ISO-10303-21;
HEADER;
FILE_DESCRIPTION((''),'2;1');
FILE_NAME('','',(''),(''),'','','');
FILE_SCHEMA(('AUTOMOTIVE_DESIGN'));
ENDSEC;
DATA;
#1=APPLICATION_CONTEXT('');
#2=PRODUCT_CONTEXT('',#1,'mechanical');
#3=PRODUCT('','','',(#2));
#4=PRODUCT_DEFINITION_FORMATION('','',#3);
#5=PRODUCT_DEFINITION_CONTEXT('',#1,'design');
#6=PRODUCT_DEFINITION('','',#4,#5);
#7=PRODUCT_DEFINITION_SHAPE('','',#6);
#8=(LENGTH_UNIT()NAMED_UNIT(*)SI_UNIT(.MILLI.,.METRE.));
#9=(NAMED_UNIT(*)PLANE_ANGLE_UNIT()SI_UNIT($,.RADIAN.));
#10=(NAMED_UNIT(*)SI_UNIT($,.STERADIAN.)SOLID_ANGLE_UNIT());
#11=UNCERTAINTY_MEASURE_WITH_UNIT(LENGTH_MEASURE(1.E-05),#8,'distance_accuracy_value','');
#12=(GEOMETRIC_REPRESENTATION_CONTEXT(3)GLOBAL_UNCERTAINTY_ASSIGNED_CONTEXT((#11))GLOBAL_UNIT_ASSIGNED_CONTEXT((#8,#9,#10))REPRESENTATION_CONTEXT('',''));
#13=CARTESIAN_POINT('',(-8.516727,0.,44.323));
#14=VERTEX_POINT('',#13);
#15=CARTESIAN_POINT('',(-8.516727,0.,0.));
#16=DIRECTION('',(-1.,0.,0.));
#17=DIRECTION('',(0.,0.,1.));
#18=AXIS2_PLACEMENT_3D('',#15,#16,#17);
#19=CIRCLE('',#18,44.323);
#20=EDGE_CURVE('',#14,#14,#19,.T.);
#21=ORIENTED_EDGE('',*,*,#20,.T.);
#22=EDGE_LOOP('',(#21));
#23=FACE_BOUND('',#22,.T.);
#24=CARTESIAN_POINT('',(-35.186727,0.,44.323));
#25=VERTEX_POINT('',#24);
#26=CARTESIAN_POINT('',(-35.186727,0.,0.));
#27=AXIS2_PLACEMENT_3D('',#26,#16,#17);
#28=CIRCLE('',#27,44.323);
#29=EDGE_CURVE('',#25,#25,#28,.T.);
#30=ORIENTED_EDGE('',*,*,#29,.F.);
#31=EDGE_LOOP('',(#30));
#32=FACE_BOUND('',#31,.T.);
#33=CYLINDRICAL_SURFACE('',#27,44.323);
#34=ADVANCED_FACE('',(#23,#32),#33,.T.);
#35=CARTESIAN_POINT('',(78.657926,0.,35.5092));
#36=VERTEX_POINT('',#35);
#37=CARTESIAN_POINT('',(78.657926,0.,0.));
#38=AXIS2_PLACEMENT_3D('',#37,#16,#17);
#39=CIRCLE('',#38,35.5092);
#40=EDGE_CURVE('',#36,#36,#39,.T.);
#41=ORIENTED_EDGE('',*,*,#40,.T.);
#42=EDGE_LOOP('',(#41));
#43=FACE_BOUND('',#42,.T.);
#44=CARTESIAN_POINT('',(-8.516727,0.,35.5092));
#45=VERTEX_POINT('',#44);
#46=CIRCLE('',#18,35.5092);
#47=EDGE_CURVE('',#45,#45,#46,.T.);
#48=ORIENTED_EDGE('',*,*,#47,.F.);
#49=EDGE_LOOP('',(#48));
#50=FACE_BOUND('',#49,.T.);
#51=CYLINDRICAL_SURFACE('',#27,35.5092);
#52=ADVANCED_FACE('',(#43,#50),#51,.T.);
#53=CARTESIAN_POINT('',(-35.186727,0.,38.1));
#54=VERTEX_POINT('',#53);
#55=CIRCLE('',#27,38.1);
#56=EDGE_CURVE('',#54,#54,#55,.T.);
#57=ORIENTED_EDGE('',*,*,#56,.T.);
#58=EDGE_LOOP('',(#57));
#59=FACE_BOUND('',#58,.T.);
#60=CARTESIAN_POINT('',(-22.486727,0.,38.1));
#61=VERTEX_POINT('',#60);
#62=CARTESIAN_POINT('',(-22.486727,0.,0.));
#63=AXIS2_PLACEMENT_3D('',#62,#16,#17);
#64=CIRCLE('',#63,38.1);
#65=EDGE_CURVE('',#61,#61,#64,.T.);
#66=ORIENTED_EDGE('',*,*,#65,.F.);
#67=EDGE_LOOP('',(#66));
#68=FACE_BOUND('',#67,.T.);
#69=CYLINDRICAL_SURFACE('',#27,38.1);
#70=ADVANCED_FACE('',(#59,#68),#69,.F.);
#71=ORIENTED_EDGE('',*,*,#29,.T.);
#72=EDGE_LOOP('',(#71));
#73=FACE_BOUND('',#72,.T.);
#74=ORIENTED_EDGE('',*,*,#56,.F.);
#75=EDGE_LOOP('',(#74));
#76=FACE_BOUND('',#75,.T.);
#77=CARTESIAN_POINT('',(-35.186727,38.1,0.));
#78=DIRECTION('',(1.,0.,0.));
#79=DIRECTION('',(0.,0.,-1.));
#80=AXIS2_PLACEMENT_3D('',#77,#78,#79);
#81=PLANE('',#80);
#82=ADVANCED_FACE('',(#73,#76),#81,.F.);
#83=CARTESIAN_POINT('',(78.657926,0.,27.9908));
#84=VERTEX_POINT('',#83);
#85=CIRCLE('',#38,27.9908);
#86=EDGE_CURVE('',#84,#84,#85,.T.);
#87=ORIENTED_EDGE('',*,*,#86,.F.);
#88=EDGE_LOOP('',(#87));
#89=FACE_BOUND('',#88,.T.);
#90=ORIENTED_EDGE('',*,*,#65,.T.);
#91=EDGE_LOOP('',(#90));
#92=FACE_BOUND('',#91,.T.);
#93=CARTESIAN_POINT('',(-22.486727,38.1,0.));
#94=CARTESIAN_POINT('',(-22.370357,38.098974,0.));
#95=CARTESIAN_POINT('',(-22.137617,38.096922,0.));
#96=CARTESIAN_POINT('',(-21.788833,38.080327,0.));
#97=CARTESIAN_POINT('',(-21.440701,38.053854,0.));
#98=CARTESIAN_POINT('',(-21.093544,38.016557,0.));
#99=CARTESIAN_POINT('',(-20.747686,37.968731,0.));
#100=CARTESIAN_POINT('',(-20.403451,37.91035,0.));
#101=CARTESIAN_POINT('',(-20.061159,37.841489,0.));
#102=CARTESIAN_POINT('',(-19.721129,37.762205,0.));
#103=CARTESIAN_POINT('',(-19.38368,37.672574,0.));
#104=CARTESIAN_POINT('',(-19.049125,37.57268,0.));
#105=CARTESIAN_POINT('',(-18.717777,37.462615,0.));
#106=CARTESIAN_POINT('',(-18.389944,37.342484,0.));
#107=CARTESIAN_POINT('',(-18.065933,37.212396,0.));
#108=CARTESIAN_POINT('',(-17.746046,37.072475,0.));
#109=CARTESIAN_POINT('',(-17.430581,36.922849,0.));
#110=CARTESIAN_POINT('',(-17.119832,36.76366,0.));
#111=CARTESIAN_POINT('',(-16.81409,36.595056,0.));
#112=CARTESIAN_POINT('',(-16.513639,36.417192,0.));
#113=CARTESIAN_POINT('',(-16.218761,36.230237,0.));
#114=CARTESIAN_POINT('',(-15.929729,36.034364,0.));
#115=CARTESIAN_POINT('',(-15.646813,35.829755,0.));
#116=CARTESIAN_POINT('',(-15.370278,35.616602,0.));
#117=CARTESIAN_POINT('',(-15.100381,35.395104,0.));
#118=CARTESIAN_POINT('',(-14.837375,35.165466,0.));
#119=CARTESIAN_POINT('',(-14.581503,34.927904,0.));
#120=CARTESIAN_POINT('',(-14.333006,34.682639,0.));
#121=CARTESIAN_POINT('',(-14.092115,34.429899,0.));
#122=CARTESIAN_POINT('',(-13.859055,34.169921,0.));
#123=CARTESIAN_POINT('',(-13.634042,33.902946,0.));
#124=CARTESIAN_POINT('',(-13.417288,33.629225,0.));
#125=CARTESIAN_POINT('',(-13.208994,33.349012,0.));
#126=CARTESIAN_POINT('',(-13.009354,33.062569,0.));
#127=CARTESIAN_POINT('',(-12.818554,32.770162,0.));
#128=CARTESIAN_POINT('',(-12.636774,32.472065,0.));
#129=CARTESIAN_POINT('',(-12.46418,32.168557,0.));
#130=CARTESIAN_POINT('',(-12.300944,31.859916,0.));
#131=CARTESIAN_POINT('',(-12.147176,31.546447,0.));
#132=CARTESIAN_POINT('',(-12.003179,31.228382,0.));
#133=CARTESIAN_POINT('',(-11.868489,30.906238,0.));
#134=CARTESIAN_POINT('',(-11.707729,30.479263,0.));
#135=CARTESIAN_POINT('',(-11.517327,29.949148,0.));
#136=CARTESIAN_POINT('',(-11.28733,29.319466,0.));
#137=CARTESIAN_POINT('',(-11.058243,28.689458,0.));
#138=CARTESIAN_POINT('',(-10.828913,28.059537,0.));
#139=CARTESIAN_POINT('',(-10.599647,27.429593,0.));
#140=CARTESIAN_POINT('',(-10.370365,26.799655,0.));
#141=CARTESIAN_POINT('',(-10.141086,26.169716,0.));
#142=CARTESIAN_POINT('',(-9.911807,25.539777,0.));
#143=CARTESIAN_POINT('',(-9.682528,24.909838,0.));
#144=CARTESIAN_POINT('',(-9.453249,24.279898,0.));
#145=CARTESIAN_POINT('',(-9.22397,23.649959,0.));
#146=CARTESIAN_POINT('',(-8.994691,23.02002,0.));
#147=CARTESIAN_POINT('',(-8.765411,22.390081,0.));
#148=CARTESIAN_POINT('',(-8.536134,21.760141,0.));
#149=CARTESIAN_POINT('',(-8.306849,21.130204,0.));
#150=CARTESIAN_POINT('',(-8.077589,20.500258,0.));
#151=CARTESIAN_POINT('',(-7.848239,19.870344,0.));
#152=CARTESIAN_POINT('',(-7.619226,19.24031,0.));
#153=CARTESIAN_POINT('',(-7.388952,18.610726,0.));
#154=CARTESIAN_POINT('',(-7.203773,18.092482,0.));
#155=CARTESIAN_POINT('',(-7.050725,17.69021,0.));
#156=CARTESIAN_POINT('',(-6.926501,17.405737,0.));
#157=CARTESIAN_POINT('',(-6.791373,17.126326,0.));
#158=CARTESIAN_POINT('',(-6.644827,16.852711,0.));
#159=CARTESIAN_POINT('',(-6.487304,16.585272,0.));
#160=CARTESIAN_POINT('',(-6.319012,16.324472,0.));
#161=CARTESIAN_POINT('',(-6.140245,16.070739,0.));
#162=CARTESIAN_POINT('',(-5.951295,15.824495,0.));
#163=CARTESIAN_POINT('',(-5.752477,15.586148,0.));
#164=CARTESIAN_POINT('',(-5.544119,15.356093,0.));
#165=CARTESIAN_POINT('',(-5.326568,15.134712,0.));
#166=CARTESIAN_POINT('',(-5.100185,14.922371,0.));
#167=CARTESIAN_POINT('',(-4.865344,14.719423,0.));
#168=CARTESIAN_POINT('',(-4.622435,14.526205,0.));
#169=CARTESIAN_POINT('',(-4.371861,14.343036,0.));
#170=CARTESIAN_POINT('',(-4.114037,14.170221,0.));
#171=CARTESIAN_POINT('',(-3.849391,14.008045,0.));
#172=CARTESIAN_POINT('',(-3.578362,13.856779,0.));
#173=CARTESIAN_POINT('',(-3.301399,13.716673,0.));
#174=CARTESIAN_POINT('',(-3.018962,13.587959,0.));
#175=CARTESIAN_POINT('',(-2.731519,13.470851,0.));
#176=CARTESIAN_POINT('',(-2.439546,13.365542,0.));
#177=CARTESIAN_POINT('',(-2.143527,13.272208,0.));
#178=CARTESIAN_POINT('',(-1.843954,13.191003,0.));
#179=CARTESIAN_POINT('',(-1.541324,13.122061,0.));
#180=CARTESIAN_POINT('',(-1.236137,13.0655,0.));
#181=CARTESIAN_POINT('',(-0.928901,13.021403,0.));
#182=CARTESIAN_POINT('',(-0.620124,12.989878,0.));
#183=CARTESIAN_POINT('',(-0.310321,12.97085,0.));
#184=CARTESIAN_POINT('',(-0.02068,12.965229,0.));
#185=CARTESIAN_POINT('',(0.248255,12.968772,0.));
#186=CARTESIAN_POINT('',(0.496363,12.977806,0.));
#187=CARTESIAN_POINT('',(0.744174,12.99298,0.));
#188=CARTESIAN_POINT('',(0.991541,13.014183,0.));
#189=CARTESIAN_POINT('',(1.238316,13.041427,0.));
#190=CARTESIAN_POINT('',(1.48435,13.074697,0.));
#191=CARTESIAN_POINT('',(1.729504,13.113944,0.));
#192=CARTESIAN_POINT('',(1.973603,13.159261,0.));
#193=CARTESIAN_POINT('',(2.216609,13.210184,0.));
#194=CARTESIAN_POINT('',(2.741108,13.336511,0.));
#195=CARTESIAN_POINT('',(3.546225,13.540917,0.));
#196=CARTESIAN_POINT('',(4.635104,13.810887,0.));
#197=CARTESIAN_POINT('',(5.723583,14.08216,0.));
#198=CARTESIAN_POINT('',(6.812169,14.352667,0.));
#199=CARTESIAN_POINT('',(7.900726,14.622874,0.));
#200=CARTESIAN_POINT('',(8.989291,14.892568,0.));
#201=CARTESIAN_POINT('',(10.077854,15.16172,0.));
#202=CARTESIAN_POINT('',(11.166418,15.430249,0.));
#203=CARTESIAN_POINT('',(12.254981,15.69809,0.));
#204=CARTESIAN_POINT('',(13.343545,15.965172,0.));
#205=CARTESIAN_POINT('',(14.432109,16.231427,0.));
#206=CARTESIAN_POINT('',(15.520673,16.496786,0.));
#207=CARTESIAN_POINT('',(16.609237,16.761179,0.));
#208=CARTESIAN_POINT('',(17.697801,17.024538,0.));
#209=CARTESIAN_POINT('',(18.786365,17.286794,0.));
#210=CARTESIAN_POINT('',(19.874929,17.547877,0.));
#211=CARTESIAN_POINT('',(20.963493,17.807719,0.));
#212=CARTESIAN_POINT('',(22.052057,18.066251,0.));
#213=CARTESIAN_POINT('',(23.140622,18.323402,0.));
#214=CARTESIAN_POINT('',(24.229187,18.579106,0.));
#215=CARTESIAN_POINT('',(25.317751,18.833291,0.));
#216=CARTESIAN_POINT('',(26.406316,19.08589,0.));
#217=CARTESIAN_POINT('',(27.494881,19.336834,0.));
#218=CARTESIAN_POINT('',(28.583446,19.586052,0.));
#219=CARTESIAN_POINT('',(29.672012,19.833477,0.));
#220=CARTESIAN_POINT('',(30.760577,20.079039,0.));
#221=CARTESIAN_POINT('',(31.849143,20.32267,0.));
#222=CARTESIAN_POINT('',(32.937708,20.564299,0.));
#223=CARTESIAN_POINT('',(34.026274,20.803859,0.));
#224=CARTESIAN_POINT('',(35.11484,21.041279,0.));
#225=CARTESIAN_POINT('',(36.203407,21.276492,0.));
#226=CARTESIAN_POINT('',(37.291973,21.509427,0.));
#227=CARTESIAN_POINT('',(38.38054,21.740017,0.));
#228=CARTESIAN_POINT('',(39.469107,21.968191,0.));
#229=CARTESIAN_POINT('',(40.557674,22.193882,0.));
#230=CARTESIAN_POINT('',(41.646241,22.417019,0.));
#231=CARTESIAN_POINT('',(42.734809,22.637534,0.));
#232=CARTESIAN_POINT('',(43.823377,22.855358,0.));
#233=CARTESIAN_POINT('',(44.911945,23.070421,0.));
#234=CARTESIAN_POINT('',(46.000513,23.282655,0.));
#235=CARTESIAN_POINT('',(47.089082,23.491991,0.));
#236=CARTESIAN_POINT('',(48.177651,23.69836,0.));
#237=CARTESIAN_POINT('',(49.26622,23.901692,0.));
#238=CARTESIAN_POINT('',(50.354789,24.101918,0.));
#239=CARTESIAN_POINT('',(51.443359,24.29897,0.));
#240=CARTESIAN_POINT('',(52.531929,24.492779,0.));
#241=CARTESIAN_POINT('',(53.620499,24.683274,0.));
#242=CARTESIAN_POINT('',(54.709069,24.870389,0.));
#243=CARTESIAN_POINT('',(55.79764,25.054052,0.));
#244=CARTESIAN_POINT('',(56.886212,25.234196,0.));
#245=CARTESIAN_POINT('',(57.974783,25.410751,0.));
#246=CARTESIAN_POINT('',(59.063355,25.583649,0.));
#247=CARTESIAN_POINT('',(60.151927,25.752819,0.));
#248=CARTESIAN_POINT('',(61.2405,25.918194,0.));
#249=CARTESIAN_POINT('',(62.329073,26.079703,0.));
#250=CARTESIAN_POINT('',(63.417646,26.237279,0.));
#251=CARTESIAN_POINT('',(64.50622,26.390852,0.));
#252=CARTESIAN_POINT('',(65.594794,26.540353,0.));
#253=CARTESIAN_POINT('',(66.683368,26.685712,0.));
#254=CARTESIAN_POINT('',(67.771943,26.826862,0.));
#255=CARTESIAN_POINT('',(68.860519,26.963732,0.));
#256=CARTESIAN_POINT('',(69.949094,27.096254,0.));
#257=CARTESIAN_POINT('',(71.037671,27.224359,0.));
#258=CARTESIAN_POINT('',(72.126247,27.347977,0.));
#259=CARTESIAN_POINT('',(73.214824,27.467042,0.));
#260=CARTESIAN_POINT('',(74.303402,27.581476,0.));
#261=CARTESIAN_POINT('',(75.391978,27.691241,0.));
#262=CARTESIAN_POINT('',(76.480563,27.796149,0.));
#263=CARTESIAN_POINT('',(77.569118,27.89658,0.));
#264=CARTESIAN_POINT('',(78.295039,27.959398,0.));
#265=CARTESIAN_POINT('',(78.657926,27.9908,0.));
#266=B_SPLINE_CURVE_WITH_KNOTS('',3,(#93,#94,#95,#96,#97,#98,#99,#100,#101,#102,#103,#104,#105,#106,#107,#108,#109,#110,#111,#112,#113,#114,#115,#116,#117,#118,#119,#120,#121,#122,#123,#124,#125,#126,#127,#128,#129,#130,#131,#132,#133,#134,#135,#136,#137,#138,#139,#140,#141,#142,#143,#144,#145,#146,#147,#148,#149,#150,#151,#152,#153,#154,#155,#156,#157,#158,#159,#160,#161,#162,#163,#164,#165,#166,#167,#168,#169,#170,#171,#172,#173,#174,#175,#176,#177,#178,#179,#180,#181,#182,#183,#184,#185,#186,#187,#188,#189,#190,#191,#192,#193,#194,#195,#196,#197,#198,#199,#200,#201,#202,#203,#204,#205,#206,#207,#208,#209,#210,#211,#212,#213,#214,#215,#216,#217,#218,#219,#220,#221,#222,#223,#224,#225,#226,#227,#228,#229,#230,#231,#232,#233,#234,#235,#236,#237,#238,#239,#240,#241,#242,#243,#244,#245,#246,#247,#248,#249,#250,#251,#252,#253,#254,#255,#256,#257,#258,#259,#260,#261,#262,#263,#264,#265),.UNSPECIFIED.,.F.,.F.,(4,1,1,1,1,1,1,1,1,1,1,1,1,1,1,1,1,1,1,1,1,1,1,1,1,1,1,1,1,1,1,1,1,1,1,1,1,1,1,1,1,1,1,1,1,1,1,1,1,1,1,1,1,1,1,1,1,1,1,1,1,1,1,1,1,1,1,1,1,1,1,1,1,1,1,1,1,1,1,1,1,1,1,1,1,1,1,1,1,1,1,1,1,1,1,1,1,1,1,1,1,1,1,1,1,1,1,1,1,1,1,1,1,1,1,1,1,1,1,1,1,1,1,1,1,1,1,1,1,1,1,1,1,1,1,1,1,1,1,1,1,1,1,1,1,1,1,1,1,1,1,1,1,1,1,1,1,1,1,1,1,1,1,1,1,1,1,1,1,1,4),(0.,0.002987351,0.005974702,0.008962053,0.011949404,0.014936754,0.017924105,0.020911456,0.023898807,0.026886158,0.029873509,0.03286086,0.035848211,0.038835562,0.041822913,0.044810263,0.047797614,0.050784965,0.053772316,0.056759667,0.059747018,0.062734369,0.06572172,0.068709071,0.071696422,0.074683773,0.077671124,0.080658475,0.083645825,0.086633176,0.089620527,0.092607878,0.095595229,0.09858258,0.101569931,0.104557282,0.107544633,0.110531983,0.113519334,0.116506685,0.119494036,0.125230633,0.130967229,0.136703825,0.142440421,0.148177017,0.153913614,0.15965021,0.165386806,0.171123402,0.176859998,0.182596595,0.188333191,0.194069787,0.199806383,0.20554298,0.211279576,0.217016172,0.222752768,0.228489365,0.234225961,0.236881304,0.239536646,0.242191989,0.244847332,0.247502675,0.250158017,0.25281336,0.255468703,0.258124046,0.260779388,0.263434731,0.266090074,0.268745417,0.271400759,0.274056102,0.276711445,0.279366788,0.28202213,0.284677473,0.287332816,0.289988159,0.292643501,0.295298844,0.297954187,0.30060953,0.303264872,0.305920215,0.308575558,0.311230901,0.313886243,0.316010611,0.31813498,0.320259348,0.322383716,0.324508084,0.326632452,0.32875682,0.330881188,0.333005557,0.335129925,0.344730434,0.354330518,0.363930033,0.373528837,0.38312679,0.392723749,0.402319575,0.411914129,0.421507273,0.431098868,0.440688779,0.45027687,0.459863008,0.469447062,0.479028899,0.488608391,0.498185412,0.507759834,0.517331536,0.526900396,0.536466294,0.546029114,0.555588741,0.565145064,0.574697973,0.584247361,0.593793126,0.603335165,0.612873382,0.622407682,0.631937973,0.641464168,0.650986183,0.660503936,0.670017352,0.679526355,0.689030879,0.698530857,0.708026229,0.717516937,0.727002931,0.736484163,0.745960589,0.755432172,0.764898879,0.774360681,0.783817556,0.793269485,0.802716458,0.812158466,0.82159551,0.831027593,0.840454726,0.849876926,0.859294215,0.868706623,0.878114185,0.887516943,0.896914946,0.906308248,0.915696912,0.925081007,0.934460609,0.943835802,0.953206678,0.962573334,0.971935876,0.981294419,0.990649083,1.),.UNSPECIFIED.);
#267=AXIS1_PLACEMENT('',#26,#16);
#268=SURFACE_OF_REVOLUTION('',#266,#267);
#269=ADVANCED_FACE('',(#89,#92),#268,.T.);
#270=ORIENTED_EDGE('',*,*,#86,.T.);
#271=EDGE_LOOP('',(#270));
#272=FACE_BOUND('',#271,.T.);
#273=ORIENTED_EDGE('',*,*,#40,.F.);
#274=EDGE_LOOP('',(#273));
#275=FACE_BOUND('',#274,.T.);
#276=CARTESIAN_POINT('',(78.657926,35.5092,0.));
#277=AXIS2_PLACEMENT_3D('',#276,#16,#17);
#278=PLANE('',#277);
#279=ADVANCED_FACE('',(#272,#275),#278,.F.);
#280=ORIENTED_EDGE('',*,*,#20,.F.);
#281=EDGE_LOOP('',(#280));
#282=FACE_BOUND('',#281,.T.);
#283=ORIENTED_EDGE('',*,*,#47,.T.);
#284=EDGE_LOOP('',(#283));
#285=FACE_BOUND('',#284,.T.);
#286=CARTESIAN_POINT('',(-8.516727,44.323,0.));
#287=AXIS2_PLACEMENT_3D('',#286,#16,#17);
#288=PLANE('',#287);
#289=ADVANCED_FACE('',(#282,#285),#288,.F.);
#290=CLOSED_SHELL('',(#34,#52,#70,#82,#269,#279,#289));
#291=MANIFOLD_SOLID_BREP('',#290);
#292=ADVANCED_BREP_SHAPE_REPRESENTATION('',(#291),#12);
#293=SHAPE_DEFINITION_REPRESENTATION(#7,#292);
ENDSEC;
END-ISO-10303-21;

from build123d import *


with BuildPart() as part:
    # Sketch1 → Revolve1 (revolve)
    with BuildSketch(Plane.XY, mode=Mode.PRIVATE) as revolve1_sk:
        with BuildLine():
            Line((-22.48672668, 38.1), (-35.18672668, 38.1))
            Line((-35.18672668, 38.1), (-35.18672668, 44.323))
            Line((-35.18672668, 44.323), (-8.51672668, 44.323))
            Line((-8.51672668, 44.323), (-8.51672668, 35.5092))
            Line((-8.51672668, 35.5092), (78.657926453, 35.5092))
            Line((78.657926453, 35.5092), (78.657926453, 27.9908))
            add(Edge.make_bspline(
                [(-22.48672668, 38.1), (-22.370356861, 38.09897388), (-22.137617212, 38.096921641), (-21.78883339, 38.080327111), (-21.440700568, 38.053854343), (-21.093543503, 38.016557388), (-20.74768602, 37.968731147), (-20.403450755, 37.91035045), (-20.061158792, 37.841488555), (-19.721129451, 37.762204619), (-19.383679924, 37.672573912), (-19.049124958, 37.57267979), (-18.717776663, 37.462615419), (-18.389944097, 37.342483534), (-18.065933107, 37.212396112), (-17.746045893, 37.072474607), (-17.430580883, 36.922849446), (-17.11983234, 36.763660254), (-16.814090128, 36.595055503), (-16.513639459, 36.417192477), (-16.218760597, 36.230237084), (-15.929728606, 36.034363742), (-15.646813104, 35.829755152), (-15.370277996, 35.616602171), (-15.100381265, 35.395103606), (-14.837374632, 35.165466125), (-14.581503429, 34.927903948), (-14.333006388, 34.682638616), (-14.092115305, 34.429898936), (-13.859054833, 34.16992072), (-13.634042456, 33.902946399), (-13.417287983, 33.629225095), (-13.208993675, 33.349012066), (-13.009353819, 33.06256874), (-12.818554487, 32.770162339), (-12.63677442, 32.472065382), (-12.46418014, 32.168557049), (-12.300944211, 31.859916207), (-12.147175782, 31.546446579), (-12.003178938, 31.228381675), (-11.868488722, 30.906237874), (-11.707728514, 30.479262811), (-11.51732689, 29.949147874), (-11.287330166, 29.319466301), (-11.058243338, 28.689458089), (-10.828912694, 28.0595374), (-10.599647364, 27.429593267), (-10.370364598, 26.799655394), (-10.141086446, 26.169715856), (-9.911807079, 25.539776759), (-9.682528012, 24.909837557), (-9.453248915, 24.279898367), (-9.223969775, 23.649959192), (-8.994690752, 23.020019971), (-8.765411249, 22.390080926), (-8.536133555, 21.760141234), (-8.306849289, 21.130203891), (-8.077589317, 20.500257863), (-7.848238738, 19.870344215), (-7.619226341, 19.240309716), (-7.388951901, 18.610726192), (-7.203772618, 18.0924821), (-7.050725438, 17.690209546), (-6.926500885, 17.405737457), (-6.791372669, 17.126326499), (-6.644826713, 16.852710937), (-6.487303844, 16.585271882), (-6.319012214, 16.324472291), (-6.140245146, 16.070739401), (-5.951295216, 15.824495391), (-5.752476857, 15.586148163), (-5.544119378, 15.356093132), (-5.326568454, 15.134711683), (-5.100184794, 14.92237094), (-4.865343728, 14.719423101), (-4.622434808, 14.526204554), (-4.371860704, 14.343035849), (-4.114037025, 14.170220608), (-3.849391254, 14.008045488), (-3.57836228, 13.856779357), (-3.301399487, 13.71667311), (-3.018962187, 13.587958994), (-2.731518701, 13.470850518), (-2.4395457, 13.365541833), (-2.143527323, 13.272207607), (-1.84395447, 13.191002668), (-1.541323896, 13.122061095), (-1.236137392, 13.065499653), (-0.9289012, 13.02140299), (-0.620124168, 12.989878407), (-0.310320711, 12.970850368), (-0.020680283, 12.965229082), (0.248254878, 12.968772306), (0.496363247, 12.977806365), (0.744174099, 12.992980091), (0.991540862, 13.014182722), (1.238316013, 13.041426715), (1.484350236, 13.074696966), (1.729504434, 13.113944035), (1.973603072, 13.159261448), (2.216609324, 13.210183939), (2.741108155, 13.336511416), (3.546225146, 13.540917433), (4.635103679, 13.810886776), (5.723582618, 14.08216045), (6.812168643, 14.352667031), (7.900726018, 14.622873913), (8.989291105, 14.892568408), (10.077854183, 15.161719913), (11.166417874, 15.430249095), (12.254981464, 15.698089726), (13.343545159, 15.96517198), (14.432108907, 16.23142704), (15.520672729, 16.49678579), (16.609236611, 16.761179295), (17.697800593, 17.024538387), (18.786364665, 17.286794115), (19.874928833, 17.547877422), (20.963493102, 17.807719276), (22.052057473, 18.066250654), (23.140621957, 18.323402462), (24.229186548, 18.579105746), (25.317751275, 18.833291384), (26.406316136, 19.085890404), (27.494881125, 19.336833785), (28.583446277, 19.586052369), (29.672011553, 19.833477309), (30.760576999, 20.079039368), (31.849142586, 20.322669685), (32.93770836, 20.564299058), (34.026274304, 20.803858594), (35.114840433, 21.041279179), (36.203406751, 21.276491794), (37.291973258, 21.509427416), (38.38053997, 21.740016935), (39.469106873, 21.968191446), (40.557674, 22.193881789), (41.646241362, 22.417018943), (42.73480894, 22.637533965), (43.823376761, 22.855357718), (44.911944827, 23.070421178), (46.000513128, 23.282655353), (47.089081692, 23.491991155), (48.177650515, 23.698359593), (49.266219622, 23.901691587), (50.354789007, 24.101918108), (51.443358679, 24.298970117), (52.531928645, 24.492778575), (53.620498905, 24.683274445), (54.709069477, 24.870388679), (55.797640354, 25.054052306), (56.886211583, 25.234196124), (57.974783131, 25.410751265), (59.063355022, 25.583648611), (60.151927263, 25.752819113), (61.240499857, 25.918193698), (62.329072801, 26.079703464), (63.417646132, 26.237279179), (64.506219844, 26.390851938), (65.594793944, 26.540352674), (66.683368441, 26.685712313), (67.771943341, 26.826861819), (68.860518645, 26.963732162), (69.949094372, 27.096254247), (71.037670511, 27.224359253), (72.126247141, 27.34797742), (73.214824057, 27.467042076), (74.303402002, 27.581475559), (75.391978236, 27.691241067), (76.480563035, 27.796148979), (77.569118074, 27.896580053), (78.295038811, 27.959397546), (78.657926453, 27.9908)],
                knots=[0, 0, 0, 0, 0.002987351, 0.005974702, 0.008962053, 0.011949404, 0.014936754, 0.017924105, 0.020911456, 0.023898807, 0.026886158, 0.029873509, 0.03286086, 0.035848211, 0.038835562, 0.041822913, 0.044810263, 0.047797614, 0.050784965, 0.053772316, 0.056759667, 0.059747018, 0.062734369, 0.06572172, 0.068709071, 0.071696422, 0.074683773, 0.077671124, 0.080658475, 0.083645825, 0.086633176, 0.089620527, 0.092607878, 0.095595229, 0.09858258, 0.101569931, 0.104557282, 0.107544633, 0.110531983, 0.113519334, 0.116506685, 0.119494036, 0.125230633, 0.130967229, 0.136703825, 0.142440421, 0.148177017, 0.153913614, 0.15965021, 0.165386806, 0.171123402, 0.176859998, 0.182596595, 0.188333191, 0.194069787, 0.199806383, 0.20554298, 0.211279576, 0.217016172, 0.222752768, 0.228489365, 0.234225961, 0.236881304, 0.239536646, 0.242191989, 0.244847332, 0.247502675, 0.250158017, 0.25281336, 0.255468703, 0.258124046, 0.260779388, 0.263434731, 0.266090074, 0.268745417, 0.271400759, 0.274056102, 0.276711445, 0.279366788, 0.28202213, 0.284677473, 0.287332816, 0.289988159, 0.292643501, 0.295298844, 0.297954187, 0.30060953, 0.303264872, 0.305920215, 0.308575558, 0.311230901, 0.313886243, 0.316010611, 0.31813498, 0.320259348, 0.322383716, 0.324508084, 0.326632452, 0.32875682, 0.330881188, 0.333005557, 0.335129925, 0.344730434, 0.354330518, 0.363930033, 0.373528837, 0.38312679, 0.392723749, 0.402319575, 0.411914129, 0.421507273, 0.431098868, 0.440688779, 0.45027687, 0.459863008, 0.469447062, 0.479028899, 0.488608391, 0.498185412, 0.507759834, 0.517331536, 0.526900396, 0.536466294, 0.546029114, 0.555588741, 0.565145064, 0.574697973, 0.584247361, 0.593793126, 0.603335165, 0.612873382, 0.622407682, 0.631937973, 0.641464168, 0.650986183, 0.660503936, 0.670017352, 0.679526355, 0.689030879, 0.698530857, 0.708026229, 0.717516937, 0.727002931, 0.736484163, 0.745960589, 0.755432172, 0.764898879, 0.774360681, 0.783817556, 0.793269485, 0.802716458, 0.812158466, 0.82159551, 0.831027593, 0.840454726, 0.849876926, 0.859294215, 0.868706623, 0.878114185, 0.887516943, 0.896914946, 0.906308248, 0.915696912, 0.925081007, 0.934460609, 0.943835802, 0.953206678, 0.962573334, 0.971935876, 0.981294419, 0.990649083, 1, 1, 1, 1], degree=3))
        make_face()
    revolve(revolve1_sk.sketch.rotate(Axis((-35.18672668, 0, 0), (1, 0, 0)), 90), axis=Axis((-35.18672668, 0, 0), (1, 0, 0)))


solid = part.part
